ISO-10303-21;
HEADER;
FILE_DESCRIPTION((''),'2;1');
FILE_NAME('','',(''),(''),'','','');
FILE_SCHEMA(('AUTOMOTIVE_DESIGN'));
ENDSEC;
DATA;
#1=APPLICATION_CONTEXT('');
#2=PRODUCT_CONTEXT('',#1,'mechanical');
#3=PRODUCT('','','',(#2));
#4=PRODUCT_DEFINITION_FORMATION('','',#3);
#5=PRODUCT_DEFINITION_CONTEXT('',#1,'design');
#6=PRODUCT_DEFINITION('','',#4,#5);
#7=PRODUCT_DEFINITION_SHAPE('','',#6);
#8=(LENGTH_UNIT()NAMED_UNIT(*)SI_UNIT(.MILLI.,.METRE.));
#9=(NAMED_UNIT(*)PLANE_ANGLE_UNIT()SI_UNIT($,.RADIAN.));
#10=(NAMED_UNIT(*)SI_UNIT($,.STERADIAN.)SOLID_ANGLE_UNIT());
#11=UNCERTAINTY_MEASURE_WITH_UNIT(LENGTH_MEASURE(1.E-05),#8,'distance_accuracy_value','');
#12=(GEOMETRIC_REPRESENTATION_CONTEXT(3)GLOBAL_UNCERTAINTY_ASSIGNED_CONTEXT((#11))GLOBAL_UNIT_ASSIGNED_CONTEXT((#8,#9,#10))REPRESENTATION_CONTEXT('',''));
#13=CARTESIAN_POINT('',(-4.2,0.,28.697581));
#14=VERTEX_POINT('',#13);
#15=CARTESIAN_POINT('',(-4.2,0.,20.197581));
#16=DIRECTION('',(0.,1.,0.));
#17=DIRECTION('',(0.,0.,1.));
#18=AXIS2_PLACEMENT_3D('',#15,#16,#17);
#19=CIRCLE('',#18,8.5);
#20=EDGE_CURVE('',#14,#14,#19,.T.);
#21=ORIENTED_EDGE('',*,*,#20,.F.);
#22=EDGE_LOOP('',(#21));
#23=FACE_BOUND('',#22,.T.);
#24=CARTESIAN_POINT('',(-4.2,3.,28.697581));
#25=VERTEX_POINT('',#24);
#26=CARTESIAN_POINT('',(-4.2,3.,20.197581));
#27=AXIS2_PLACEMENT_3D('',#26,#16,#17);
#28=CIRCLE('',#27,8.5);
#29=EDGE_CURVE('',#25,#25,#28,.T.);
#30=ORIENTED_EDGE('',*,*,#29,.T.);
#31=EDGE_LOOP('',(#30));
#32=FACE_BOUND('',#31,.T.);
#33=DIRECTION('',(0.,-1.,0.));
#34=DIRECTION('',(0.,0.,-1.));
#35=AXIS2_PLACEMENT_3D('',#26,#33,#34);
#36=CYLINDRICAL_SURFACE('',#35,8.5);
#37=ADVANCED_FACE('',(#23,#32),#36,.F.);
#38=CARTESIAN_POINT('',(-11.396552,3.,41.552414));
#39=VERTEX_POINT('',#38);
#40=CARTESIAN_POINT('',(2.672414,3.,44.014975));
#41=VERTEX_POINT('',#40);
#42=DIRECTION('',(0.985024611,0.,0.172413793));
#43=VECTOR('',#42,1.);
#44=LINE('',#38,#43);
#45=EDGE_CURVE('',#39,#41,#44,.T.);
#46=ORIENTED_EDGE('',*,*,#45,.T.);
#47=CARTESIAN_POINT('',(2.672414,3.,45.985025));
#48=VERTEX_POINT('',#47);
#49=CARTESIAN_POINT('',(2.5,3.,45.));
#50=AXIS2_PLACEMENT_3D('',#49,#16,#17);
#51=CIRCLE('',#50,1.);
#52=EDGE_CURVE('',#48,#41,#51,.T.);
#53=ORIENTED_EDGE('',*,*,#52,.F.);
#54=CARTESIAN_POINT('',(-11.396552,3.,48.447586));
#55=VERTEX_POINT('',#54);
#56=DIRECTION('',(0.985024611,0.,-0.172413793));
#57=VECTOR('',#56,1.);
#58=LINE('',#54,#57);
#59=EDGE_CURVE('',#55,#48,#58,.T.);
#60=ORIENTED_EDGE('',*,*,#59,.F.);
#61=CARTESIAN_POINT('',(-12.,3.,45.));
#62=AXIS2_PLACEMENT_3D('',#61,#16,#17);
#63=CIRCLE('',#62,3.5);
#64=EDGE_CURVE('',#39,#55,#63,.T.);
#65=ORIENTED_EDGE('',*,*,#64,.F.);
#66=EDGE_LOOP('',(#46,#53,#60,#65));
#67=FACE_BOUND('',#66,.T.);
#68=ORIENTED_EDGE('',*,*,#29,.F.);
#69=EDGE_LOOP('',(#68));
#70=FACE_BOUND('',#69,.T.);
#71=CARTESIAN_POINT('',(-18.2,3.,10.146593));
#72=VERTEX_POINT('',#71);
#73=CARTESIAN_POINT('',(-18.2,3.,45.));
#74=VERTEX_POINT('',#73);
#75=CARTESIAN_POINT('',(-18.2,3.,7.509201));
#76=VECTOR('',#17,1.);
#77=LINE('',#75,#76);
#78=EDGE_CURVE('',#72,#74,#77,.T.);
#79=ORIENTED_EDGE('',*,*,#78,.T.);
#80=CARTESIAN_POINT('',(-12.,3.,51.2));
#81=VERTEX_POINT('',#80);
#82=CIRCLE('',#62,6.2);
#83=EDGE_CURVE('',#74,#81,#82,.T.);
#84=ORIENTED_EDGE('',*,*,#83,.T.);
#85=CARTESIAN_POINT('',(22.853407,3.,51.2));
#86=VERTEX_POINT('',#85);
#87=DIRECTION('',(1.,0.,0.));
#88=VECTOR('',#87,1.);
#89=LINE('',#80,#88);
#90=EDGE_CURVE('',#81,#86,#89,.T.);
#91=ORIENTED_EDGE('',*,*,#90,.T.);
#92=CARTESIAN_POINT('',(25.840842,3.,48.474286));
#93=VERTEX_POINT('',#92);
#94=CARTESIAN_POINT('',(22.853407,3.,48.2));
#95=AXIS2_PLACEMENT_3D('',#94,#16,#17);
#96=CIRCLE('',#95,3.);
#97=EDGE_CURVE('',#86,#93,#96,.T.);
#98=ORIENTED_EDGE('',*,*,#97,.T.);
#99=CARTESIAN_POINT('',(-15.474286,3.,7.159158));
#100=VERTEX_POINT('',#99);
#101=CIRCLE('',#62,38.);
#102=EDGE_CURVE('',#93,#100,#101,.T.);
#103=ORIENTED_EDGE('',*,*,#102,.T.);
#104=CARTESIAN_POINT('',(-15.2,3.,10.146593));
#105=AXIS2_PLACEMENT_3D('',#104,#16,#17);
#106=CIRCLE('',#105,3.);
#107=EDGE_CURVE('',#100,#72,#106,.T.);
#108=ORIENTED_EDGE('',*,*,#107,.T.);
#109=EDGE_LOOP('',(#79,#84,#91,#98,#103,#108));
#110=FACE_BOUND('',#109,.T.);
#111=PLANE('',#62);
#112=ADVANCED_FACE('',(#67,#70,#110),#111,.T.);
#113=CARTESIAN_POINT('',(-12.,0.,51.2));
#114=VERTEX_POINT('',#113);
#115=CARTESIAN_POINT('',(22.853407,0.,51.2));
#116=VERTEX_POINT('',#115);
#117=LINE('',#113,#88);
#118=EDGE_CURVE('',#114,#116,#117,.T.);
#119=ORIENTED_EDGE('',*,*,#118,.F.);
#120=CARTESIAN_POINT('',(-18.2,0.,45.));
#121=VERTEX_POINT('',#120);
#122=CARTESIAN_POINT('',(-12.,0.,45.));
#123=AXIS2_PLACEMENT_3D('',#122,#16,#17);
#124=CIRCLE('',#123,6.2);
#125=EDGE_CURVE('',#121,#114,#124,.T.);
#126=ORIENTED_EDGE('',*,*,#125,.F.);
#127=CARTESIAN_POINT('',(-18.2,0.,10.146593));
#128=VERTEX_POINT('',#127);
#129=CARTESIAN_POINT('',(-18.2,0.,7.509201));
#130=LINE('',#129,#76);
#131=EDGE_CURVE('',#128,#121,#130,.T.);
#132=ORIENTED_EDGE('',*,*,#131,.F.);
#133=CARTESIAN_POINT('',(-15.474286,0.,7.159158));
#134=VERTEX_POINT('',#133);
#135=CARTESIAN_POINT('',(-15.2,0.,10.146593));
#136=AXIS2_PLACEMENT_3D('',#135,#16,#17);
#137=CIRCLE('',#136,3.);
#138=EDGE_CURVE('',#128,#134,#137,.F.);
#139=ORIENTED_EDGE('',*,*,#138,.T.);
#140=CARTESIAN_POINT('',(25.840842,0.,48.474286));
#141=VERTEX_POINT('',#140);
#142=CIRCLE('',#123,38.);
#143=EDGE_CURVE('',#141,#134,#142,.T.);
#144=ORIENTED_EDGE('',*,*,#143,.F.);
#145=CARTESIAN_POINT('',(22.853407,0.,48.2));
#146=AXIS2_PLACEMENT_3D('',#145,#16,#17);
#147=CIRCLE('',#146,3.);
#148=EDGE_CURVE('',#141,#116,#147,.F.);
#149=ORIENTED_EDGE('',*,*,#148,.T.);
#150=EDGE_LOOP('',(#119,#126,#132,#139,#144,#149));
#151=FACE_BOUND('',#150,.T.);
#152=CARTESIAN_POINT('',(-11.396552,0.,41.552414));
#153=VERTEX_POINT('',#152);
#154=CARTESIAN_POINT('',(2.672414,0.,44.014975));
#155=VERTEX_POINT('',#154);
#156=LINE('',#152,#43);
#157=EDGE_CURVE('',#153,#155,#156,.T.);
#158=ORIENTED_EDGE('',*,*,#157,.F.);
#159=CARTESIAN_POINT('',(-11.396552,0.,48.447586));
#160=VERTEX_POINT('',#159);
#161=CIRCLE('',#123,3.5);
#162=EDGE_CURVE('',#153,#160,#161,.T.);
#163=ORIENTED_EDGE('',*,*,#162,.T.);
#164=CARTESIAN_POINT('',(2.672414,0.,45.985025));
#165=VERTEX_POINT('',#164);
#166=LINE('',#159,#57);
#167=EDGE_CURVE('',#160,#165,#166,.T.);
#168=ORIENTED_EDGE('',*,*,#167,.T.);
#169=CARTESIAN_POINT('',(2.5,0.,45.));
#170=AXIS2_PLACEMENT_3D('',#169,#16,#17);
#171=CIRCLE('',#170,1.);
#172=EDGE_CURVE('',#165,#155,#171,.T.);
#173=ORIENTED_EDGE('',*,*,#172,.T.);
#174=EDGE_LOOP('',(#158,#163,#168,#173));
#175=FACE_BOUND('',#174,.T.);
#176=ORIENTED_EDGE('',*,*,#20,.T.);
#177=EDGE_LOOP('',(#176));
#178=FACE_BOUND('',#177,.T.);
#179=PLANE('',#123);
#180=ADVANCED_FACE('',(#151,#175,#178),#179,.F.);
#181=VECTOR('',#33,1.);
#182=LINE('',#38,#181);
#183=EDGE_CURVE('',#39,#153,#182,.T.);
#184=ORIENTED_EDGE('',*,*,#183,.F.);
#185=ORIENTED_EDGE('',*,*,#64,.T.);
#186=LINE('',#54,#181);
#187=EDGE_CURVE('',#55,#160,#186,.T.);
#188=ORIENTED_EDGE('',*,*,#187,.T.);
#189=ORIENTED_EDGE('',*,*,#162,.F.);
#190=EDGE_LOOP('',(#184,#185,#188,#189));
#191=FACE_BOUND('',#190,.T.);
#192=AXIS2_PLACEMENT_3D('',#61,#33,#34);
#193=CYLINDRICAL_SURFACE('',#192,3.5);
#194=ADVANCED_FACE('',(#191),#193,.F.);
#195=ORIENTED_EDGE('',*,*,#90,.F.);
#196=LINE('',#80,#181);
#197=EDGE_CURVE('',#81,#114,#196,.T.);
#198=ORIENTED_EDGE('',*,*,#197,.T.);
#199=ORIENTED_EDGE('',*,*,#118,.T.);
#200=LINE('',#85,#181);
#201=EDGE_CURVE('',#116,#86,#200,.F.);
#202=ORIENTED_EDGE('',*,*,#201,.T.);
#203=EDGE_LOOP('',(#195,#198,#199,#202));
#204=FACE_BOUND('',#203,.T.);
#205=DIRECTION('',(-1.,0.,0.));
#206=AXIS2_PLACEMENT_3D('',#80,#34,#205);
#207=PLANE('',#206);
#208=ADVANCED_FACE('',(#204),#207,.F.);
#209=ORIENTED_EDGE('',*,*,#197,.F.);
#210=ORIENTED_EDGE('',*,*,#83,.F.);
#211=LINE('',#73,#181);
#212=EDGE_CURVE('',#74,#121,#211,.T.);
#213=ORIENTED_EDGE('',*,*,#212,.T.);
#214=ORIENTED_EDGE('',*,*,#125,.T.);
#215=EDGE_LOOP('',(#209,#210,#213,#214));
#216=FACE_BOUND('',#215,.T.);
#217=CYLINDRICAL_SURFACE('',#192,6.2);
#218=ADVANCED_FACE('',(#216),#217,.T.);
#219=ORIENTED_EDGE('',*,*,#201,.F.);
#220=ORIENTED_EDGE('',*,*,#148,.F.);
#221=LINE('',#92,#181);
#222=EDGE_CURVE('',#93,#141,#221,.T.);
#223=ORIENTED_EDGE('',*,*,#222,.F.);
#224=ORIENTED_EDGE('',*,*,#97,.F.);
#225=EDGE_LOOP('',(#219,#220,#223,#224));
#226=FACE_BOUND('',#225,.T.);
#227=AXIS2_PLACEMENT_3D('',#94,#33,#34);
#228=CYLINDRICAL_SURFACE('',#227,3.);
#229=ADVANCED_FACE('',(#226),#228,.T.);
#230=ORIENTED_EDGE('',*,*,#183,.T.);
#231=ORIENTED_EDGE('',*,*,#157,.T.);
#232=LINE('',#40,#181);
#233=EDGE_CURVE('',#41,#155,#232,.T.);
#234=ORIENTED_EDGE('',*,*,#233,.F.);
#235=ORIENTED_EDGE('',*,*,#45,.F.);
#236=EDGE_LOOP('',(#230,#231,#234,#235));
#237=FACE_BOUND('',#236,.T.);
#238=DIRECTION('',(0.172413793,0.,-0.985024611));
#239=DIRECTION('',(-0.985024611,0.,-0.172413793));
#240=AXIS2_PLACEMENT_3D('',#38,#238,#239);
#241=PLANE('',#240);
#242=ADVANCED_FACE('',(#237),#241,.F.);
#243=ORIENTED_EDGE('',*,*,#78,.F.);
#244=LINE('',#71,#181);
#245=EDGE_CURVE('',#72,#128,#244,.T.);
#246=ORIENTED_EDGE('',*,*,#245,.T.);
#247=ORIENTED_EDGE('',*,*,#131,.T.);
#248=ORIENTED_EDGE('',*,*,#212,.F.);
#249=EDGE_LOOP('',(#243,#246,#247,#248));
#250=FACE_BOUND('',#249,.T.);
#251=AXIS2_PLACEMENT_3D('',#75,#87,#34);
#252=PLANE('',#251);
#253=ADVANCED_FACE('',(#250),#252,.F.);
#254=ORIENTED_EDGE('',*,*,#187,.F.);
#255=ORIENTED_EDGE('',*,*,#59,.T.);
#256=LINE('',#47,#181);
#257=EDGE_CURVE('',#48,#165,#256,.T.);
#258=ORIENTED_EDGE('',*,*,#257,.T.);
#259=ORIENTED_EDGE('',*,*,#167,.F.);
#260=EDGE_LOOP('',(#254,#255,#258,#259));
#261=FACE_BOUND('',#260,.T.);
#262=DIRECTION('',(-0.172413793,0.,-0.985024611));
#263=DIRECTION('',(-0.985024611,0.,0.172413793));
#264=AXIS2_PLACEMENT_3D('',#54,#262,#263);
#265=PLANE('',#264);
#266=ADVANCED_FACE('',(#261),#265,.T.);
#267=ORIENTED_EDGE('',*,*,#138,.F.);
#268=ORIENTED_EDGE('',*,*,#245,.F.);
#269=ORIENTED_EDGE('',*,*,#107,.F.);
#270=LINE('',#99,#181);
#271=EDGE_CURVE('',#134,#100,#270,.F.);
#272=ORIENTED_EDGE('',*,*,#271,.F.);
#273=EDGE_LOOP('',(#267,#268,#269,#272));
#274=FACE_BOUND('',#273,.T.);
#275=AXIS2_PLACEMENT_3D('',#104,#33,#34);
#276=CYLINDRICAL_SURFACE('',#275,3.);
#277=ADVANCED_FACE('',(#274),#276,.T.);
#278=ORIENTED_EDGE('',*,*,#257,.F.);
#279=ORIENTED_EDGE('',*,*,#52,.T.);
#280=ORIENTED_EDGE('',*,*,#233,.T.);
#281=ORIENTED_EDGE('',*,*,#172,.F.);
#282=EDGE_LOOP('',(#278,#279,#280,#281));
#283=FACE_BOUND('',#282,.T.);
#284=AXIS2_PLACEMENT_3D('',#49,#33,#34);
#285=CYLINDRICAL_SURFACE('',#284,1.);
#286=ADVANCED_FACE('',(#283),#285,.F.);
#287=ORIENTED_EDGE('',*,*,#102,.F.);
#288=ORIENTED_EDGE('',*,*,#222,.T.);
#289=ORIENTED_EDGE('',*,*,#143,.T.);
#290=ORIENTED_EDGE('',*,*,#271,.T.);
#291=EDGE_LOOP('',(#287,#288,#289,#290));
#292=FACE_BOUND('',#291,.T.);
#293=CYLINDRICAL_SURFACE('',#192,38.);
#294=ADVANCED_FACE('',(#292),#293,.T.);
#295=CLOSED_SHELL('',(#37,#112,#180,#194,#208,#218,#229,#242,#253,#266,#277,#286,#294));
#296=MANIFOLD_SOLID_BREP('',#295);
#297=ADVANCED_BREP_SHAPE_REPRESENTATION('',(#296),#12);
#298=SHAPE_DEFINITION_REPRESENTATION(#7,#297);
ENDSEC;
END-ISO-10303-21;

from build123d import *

# Parameters (mm, degrees)
SKETCH8_R           = 1.5
SKETCH8_R_2         = 8.5
BOSS_EXTRUDE3_DEPTH = 3
CUT_EXTRUDE3_DEPTH  = 4
FILLET1_R           = 3


with BuildPart() as part:
    # Sketch8 → Boss-Extrude3 (new body)
    with BuildSketch(Plane(origin=(0, 0, 0), x_dir=(1, 0, 0), z_dir=(0, 1, 0))):
        with BuildLine():
            Line((-12, -51.2), (25.490798871, -51.2))
            ThreePointArc((25.490798871, -51.2), (14.870057685, -18.129942315), (-18.2, -7.509201129))
            Line((-18.2, -7.509201129), (-18.2, -45))
            ThreePointArc((-18.2, -45), (-16.384062043, -49.384062043), (-12, -51.2))
        make_face()
        with Locations((-12, -45)):
            Circle(SKETCH8_R, mode=Mode.SUBTRACT)
        with Locations((-4.2, -20.197580763)):
            Circle(SKETCH8_R_2, mode=Mode.SUBTRACT)
    extrude(amount=BOSS_EXTRUDE3_DEPTH)

    # Sketch10 → Cut-Extrude3 (cut, through all)
    with BuildSketch(Plane(origin=(0, 0, 0), x_dir=(1, 0, 0), z_dir=(0, 1, 0))):
        with BuildLine():
            Line((-11.396551724, -41.552413862), (2.672413793, -44.014975389))
            ThreePointArc((2.672413793, -44.014975389), (3.5, -45), (2.672413793, -45.985024611))
            Line((2.672413793, -45.985024611), (-11.396551724, -48.447586138))
            ThreePointArc((-11.396551724, -48.447586138), (-15.5, -45), (-11.396551724, -41.552413862))
        make_face()
    extrude(amount=CUT_EXTRUDE3_DEPTH, mode=Mode.SUBTRACT)

    # Fillet1
    fillet1_edges = [part.edges().sort_by_distance(p)[0] for p in [
        (-18.2, 1.5, 7.509201129),
        (25.490798871, 1.5, 51.2),
    ]]
    fillet(fillet1_edges, radius=FILLET1_R)


solid = part.part
